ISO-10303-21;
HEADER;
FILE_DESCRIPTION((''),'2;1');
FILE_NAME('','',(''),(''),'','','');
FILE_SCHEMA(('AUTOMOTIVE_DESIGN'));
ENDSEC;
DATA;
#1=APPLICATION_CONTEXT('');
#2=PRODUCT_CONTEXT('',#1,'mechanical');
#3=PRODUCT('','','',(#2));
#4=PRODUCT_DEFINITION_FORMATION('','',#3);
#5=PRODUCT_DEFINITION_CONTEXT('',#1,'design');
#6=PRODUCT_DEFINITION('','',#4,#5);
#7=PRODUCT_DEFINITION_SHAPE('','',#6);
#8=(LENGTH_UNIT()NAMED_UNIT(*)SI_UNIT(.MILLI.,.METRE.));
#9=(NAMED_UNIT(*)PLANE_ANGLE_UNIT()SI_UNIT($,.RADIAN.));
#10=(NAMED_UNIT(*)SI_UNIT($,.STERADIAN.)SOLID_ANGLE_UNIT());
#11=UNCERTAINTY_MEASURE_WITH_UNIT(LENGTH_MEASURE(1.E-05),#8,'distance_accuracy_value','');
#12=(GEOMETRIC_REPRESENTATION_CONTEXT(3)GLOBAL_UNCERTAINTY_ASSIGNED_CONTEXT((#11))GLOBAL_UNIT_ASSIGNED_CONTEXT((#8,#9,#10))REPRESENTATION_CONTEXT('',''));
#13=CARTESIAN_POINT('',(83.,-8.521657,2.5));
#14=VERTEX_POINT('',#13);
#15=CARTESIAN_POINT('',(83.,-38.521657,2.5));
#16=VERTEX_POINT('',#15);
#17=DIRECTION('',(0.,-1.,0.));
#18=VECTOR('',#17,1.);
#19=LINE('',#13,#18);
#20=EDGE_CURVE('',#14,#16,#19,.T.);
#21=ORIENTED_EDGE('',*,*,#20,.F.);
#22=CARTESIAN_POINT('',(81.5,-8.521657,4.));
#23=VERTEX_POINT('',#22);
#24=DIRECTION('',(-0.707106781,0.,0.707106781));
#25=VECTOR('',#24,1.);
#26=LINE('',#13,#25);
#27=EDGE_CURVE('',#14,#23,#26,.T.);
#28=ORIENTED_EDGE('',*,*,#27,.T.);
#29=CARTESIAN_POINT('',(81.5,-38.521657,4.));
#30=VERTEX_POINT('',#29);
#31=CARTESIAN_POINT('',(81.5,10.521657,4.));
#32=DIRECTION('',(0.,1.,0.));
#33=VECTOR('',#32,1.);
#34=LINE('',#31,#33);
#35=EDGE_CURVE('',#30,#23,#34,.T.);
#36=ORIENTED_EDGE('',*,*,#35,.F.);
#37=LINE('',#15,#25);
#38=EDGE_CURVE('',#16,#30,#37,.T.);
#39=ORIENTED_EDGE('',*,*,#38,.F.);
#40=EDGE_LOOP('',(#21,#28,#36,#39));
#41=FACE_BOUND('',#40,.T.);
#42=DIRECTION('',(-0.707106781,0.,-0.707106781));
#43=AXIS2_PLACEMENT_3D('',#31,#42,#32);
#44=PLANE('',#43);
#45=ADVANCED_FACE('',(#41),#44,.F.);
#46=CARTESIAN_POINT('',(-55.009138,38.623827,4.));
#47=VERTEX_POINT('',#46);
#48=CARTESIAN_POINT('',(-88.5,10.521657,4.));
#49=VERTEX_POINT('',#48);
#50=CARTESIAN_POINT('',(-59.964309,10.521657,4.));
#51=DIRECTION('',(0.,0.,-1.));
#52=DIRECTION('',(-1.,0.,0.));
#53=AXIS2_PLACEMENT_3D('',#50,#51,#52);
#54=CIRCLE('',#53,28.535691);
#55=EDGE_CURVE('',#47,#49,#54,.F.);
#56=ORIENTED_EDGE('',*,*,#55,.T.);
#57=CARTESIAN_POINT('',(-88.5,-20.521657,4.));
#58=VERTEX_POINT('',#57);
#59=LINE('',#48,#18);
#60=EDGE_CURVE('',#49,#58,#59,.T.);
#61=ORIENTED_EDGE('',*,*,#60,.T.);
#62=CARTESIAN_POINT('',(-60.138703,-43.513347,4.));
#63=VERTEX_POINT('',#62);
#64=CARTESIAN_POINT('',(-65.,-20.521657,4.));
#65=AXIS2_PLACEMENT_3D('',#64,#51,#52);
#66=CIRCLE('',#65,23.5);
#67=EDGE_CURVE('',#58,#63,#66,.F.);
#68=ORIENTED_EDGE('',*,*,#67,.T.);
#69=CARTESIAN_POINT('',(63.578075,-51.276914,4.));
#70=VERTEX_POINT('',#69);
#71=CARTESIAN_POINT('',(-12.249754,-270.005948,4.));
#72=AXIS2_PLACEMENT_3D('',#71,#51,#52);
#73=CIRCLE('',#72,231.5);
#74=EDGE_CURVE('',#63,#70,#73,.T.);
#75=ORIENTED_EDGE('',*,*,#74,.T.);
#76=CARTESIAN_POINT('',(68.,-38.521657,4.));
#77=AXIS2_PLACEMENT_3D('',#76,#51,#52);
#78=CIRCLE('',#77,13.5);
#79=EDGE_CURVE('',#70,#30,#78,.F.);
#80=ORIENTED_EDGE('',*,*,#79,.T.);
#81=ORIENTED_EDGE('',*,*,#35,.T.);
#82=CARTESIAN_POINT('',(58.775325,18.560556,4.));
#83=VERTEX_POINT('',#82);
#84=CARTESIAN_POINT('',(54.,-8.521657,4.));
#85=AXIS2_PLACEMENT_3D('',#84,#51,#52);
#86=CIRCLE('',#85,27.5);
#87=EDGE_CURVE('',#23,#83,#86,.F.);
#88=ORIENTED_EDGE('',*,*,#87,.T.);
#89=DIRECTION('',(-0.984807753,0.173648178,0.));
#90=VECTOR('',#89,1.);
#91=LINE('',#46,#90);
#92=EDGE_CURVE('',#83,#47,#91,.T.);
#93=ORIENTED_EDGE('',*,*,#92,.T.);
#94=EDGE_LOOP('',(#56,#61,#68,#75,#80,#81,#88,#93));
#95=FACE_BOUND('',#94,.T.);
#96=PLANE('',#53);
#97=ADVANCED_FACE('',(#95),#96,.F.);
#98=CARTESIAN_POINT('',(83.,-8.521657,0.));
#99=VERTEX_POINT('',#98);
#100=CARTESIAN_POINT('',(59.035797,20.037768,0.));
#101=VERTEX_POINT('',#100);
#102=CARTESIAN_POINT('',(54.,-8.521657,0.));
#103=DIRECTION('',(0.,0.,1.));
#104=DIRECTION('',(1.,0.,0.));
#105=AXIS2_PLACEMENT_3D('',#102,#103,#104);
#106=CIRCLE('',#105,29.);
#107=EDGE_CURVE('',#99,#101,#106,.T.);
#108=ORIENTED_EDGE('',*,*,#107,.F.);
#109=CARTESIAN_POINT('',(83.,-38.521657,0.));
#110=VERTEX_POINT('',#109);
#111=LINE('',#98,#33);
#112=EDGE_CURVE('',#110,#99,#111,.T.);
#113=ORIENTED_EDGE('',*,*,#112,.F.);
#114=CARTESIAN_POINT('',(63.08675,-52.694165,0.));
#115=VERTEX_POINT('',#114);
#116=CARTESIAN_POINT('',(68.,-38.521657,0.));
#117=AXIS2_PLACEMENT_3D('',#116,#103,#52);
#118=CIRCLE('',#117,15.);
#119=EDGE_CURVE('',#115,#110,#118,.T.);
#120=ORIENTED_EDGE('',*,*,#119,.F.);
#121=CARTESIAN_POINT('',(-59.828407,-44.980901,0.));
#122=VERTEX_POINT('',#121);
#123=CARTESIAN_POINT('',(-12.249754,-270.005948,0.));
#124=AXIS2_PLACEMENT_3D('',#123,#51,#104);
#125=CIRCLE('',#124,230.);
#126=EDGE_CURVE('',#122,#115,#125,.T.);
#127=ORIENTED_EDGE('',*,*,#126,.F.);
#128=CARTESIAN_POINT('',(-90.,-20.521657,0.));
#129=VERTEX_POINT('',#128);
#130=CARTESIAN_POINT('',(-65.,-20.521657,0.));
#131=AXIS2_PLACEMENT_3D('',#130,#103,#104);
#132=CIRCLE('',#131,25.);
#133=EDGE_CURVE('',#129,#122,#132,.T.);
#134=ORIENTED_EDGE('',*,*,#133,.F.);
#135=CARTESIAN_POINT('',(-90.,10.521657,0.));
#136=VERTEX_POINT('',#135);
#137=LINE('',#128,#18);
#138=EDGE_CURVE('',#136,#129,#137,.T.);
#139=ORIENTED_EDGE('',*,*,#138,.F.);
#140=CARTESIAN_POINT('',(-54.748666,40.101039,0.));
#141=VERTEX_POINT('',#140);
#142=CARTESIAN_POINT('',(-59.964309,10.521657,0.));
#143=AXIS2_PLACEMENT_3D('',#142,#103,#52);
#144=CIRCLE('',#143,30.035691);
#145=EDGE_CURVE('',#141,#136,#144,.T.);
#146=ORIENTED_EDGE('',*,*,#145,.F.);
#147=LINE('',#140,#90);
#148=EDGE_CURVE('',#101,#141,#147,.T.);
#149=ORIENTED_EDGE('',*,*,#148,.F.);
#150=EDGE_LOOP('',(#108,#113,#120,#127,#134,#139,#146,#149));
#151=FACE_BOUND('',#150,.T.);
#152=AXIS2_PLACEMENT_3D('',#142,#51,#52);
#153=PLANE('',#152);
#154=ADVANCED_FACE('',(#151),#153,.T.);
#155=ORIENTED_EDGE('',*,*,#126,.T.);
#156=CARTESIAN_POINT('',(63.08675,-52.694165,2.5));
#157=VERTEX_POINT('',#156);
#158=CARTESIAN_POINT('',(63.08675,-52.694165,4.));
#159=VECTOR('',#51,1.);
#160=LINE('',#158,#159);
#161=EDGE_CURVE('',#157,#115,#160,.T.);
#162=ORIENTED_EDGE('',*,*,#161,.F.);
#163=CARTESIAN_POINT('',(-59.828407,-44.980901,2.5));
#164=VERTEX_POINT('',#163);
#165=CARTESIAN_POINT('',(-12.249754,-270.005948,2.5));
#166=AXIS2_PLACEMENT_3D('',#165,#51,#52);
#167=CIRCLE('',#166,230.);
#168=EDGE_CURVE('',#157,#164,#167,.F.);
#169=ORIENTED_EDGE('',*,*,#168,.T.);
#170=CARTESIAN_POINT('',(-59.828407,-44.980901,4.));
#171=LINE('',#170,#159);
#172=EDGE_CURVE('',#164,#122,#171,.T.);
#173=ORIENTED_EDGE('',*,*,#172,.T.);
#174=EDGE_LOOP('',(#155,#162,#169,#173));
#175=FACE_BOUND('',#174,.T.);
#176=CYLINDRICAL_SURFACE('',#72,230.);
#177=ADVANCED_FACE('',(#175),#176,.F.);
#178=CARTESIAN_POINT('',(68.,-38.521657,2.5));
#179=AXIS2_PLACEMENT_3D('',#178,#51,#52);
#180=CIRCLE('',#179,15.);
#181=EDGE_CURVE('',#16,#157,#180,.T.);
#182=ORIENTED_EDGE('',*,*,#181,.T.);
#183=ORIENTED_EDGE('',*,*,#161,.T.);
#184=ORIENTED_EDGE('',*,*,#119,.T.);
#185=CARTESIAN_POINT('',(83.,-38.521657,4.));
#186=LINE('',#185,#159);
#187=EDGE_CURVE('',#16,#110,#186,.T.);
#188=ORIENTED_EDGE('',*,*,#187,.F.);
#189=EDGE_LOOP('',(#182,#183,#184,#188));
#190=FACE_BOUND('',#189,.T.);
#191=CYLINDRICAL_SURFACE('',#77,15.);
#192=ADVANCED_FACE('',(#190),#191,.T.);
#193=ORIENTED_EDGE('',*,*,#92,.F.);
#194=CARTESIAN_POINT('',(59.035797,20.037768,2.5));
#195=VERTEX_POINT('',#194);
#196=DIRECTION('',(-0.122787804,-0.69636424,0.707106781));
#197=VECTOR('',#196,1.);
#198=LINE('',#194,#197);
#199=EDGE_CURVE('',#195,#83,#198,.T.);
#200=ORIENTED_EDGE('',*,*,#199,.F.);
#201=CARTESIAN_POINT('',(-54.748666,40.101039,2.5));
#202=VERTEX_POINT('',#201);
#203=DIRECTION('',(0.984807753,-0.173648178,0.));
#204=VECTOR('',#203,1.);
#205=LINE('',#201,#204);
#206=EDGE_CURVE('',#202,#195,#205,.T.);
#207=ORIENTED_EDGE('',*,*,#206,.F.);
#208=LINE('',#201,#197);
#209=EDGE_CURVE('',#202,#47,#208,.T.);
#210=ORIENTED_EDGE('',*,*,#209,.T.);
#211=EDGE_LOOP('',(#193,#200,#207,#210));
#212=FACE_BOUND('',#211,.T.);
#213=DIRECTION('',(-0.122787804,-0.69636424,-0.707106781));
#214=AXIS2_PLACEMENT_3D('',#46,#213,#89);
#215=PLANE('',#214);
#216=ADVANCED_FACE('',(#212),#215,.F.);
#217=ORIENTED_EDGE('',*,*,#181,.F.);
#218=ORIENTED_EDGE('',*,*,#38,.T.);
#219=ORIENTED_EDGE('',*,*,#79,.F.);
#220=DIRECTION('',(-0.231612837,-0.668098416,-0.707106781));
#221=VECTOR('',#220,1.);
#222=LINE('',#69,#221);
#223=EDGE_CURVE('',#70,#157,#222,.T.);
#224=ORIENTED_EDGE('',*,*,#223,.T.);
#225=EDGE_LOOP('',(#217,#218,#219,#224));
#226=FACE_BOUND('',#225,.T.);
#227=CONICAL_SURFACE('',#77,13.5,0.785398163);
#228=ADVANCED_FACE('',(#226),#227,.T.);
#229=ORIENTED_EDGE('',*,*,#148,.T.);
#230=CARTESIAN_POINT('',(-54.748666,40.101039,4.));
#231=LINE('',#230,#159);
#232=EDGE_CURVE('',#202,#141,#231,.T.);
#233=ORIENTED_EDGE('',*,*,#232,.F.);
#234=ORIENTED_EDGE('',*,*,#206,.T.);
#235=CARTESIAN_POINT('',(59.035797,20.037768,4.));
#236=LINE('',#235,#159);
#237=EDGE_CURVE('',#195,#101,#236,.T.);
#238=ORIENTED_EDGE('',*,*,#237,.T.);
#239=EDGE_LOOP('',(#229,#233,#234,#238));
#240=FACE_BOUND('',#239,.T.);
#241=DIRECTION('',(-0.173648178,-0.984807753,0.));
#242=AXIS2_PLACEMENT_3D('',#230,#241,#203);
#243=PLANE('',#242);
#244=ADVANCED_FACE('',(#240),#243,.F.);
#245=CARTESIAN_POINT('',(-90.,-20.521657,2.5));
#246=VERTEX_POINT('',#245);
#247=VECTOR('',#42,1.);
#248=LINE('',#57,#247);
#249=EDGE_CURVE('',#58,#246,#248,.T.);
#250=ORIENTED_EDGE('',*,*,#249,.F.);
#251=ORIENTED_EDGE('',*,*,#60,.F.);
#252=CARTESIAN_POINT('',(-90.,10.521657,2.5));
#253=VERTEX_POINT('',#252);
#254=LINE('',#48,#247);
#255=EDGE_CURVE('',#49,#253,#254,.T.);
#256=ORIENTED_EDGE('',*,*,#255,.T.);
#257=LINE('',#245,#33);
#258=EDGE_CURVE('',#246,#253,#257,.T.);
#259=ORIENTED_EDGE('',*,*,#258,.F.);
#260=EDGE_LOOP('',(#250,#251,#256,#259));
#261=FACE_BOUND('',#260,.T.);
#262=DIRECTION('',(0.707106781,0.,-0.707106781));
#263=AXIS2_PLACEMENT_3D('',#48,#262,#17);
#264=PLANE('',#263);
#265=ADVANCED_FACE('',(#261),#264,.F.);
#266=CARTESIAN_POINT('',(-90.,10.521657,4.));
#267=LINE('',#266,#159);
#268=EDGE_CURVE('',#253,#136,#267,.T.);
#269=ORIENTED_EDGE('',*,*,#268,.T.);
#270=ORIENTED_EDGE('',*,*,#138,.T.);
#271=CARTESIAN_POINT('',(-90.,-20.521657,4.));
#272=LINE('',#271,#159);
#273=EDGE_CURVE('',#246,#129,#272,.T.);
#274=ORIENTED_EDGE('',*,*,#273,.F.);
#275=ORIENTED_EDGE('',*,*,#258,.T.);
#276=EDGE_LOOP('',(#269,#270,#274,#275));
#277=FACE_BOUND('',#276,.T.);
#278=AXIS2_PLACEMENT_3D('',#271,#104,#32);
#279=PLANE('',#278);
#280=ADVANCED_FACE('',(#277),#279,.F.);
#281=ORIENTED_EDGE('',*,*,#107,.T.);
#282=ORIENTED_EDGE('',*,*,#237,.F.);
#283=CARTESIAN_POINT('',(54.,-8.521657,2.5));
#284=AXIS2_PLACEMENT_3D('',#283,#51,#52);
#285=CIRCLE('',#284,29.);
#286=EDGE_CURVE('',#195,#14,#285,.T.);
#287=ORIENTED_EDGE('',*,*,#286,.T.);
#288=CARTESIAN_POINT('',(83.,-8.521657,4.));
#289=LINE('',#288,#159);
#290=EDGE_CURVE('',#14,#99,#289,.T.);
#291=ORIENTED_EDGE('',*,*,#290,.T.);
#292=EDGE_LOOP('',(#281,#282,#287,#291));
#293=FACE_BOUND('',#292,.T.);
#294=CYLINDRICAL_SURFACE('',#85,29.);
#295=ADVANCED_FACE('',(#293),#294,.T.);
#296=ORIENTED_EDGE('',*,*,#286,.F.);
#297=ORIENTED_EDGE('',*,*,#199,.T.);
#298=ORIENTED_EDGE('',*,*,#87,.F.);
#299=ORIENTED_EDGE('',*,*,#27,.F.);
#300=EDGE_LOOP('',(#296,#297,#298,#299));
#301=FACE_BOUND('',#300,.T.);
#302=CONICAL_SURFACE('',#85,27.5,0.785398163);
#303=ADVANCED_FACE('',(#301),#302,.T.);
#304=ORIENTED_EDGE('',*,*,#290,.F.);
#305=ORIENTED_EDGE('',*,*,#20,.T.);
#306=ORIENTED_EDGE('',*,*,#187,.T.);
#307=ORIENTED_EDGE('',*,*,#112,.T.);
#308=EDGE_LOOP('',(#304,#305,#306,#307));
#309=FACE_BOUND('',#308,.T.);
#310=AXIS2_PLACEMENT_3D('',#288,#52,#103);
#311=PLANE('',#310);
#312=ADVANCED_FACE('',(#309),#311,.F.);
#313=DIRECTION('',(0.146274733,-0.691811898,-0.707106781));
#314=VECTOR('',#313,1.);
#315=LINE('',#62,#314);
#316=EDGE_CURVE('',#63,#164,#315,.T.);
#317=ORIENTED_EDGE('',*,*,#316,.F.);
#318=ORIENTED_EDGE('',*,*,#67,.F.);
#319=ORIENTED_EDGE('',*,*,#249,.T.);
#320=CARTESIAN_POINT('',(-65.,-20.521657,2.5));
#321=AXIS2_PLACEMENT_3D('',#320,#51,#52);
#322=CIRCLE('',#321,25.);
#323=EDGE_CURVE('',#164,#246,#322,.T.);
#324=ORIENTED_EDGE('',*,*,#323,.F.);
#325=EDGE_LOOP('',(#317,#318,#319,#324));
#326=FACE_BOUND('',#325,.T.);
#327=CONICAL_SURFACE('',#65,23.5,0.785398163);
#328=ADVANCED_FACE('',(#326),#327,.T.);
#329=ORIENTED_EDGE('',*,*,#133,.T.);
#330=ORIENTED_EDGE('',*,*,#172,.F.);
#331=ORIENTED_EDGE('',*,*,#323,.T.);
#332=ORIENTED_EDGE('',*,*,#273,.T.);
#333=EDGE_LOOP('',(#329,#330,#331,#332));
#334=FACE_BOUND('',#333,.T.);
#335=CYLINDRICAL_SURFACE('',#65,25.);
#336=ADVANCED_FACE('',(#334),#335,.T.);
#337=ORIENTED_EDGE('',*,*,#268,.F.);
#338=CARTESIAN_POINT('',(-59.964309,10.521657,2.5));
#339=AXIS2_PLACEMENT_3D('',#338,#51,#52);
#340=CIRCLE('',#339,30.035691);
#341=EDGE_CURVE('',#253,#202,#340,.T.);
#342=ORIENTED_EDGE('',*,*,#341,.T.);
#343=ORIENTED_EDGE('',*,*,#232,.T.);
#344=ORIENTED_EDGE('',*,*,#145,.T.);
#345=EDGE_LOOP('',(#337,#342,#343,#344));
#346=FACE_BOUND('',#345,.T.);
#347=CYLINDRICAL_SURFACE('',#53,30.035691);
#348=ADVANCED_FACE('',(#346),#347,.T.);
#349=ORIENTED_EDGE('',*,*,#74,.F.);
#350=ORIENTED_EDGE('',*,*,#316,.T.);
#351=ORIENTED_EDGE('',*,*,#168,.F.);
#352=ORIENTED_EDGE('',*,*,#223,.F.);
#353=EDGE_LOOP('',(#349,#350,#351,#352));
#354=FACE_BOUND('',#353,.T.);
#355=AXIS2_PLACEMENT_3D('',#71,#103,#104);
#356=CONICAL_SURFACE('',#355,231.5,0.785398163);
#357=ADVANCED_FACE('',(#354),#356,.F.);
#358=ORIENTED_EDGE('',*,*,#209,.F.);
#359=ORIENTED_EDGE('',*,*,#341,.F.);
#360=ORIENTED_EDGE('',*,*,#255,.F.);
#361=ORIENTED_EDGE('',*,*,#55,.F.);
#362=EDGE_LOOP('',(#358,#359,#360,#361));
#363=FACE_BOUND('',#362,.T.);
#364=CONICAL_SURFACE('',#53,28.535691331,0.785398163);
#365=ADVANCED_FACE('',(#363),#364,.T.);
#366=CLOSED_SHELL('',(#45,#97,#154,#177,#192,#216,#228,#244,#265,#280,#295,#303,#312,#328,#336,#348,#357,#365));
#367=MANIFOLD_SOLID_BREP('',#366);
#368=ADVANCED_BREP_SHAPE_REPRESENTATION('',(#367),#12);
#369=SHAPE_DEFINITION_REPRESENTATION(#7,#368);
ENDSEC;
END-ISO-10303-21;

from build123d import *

# Parameters (mm, degrees)
BOSS_EXTRUDE1_DEPTH = 4
CHAMFER1_SIZE       = 1.5


with BuildPart() as part:
    # Sketch1 → Boss-Extrude1 (new body)
    with BuildSketch(Plane.XY):
        with BuildLine():
            Line((-54.748665604, 40.101038648), (59.035797152, 20.037767879))
            ThreePointArc((59.035797152, 20.037767879), (76.21528885, 10.119183723), (83, -8.521656958))
            Line((83, -8.521656958), (83, -38.521656958))
            ThreePointArc((83, -38.521656958), (76.697736677, -50.742515222), (63.086749774, -52.694164578))
            ThreePointArc((63.086749774, -52.694164578), (2.15504295, -40.457474253), (-59.828407224, -44.980901185))
            ThreePointArc((-59.828407224, -44.980901185), (-80.743414188, -39.941876053), (-90, -20.521656958))
            Line((-90, -20.521656958), (-90, 10.521656958))
            ThreePointArc((-90, 10.521656958), (-79.270878905, 33.530331398), (-54.748665604, 40.101038648))
        make_face()
    extrude(amount=BOSS_EXTRUDE1_DEPTH)

    # Chamfer1
    chamfer1_edges = [part.edges().sort_by_distance(p)[0] for p in [
        (-80.743414188, -39.941876053, 4),
        (2.15504295, -40.457474253, 4),
        (76.697736677, -50.742515222, 4),
        (83, -23.521656958, 4),
        (76.21528885, 10.119183723, 4),
        (2.143565774, 30.069403264, 4),
        (-79.270878905, 33.530331398, 4),
        (-90, -5, 4),
    ]]
    chamfer(chamfer1_edges, length=CHAMFER1_SIZE)


solid = part.part
